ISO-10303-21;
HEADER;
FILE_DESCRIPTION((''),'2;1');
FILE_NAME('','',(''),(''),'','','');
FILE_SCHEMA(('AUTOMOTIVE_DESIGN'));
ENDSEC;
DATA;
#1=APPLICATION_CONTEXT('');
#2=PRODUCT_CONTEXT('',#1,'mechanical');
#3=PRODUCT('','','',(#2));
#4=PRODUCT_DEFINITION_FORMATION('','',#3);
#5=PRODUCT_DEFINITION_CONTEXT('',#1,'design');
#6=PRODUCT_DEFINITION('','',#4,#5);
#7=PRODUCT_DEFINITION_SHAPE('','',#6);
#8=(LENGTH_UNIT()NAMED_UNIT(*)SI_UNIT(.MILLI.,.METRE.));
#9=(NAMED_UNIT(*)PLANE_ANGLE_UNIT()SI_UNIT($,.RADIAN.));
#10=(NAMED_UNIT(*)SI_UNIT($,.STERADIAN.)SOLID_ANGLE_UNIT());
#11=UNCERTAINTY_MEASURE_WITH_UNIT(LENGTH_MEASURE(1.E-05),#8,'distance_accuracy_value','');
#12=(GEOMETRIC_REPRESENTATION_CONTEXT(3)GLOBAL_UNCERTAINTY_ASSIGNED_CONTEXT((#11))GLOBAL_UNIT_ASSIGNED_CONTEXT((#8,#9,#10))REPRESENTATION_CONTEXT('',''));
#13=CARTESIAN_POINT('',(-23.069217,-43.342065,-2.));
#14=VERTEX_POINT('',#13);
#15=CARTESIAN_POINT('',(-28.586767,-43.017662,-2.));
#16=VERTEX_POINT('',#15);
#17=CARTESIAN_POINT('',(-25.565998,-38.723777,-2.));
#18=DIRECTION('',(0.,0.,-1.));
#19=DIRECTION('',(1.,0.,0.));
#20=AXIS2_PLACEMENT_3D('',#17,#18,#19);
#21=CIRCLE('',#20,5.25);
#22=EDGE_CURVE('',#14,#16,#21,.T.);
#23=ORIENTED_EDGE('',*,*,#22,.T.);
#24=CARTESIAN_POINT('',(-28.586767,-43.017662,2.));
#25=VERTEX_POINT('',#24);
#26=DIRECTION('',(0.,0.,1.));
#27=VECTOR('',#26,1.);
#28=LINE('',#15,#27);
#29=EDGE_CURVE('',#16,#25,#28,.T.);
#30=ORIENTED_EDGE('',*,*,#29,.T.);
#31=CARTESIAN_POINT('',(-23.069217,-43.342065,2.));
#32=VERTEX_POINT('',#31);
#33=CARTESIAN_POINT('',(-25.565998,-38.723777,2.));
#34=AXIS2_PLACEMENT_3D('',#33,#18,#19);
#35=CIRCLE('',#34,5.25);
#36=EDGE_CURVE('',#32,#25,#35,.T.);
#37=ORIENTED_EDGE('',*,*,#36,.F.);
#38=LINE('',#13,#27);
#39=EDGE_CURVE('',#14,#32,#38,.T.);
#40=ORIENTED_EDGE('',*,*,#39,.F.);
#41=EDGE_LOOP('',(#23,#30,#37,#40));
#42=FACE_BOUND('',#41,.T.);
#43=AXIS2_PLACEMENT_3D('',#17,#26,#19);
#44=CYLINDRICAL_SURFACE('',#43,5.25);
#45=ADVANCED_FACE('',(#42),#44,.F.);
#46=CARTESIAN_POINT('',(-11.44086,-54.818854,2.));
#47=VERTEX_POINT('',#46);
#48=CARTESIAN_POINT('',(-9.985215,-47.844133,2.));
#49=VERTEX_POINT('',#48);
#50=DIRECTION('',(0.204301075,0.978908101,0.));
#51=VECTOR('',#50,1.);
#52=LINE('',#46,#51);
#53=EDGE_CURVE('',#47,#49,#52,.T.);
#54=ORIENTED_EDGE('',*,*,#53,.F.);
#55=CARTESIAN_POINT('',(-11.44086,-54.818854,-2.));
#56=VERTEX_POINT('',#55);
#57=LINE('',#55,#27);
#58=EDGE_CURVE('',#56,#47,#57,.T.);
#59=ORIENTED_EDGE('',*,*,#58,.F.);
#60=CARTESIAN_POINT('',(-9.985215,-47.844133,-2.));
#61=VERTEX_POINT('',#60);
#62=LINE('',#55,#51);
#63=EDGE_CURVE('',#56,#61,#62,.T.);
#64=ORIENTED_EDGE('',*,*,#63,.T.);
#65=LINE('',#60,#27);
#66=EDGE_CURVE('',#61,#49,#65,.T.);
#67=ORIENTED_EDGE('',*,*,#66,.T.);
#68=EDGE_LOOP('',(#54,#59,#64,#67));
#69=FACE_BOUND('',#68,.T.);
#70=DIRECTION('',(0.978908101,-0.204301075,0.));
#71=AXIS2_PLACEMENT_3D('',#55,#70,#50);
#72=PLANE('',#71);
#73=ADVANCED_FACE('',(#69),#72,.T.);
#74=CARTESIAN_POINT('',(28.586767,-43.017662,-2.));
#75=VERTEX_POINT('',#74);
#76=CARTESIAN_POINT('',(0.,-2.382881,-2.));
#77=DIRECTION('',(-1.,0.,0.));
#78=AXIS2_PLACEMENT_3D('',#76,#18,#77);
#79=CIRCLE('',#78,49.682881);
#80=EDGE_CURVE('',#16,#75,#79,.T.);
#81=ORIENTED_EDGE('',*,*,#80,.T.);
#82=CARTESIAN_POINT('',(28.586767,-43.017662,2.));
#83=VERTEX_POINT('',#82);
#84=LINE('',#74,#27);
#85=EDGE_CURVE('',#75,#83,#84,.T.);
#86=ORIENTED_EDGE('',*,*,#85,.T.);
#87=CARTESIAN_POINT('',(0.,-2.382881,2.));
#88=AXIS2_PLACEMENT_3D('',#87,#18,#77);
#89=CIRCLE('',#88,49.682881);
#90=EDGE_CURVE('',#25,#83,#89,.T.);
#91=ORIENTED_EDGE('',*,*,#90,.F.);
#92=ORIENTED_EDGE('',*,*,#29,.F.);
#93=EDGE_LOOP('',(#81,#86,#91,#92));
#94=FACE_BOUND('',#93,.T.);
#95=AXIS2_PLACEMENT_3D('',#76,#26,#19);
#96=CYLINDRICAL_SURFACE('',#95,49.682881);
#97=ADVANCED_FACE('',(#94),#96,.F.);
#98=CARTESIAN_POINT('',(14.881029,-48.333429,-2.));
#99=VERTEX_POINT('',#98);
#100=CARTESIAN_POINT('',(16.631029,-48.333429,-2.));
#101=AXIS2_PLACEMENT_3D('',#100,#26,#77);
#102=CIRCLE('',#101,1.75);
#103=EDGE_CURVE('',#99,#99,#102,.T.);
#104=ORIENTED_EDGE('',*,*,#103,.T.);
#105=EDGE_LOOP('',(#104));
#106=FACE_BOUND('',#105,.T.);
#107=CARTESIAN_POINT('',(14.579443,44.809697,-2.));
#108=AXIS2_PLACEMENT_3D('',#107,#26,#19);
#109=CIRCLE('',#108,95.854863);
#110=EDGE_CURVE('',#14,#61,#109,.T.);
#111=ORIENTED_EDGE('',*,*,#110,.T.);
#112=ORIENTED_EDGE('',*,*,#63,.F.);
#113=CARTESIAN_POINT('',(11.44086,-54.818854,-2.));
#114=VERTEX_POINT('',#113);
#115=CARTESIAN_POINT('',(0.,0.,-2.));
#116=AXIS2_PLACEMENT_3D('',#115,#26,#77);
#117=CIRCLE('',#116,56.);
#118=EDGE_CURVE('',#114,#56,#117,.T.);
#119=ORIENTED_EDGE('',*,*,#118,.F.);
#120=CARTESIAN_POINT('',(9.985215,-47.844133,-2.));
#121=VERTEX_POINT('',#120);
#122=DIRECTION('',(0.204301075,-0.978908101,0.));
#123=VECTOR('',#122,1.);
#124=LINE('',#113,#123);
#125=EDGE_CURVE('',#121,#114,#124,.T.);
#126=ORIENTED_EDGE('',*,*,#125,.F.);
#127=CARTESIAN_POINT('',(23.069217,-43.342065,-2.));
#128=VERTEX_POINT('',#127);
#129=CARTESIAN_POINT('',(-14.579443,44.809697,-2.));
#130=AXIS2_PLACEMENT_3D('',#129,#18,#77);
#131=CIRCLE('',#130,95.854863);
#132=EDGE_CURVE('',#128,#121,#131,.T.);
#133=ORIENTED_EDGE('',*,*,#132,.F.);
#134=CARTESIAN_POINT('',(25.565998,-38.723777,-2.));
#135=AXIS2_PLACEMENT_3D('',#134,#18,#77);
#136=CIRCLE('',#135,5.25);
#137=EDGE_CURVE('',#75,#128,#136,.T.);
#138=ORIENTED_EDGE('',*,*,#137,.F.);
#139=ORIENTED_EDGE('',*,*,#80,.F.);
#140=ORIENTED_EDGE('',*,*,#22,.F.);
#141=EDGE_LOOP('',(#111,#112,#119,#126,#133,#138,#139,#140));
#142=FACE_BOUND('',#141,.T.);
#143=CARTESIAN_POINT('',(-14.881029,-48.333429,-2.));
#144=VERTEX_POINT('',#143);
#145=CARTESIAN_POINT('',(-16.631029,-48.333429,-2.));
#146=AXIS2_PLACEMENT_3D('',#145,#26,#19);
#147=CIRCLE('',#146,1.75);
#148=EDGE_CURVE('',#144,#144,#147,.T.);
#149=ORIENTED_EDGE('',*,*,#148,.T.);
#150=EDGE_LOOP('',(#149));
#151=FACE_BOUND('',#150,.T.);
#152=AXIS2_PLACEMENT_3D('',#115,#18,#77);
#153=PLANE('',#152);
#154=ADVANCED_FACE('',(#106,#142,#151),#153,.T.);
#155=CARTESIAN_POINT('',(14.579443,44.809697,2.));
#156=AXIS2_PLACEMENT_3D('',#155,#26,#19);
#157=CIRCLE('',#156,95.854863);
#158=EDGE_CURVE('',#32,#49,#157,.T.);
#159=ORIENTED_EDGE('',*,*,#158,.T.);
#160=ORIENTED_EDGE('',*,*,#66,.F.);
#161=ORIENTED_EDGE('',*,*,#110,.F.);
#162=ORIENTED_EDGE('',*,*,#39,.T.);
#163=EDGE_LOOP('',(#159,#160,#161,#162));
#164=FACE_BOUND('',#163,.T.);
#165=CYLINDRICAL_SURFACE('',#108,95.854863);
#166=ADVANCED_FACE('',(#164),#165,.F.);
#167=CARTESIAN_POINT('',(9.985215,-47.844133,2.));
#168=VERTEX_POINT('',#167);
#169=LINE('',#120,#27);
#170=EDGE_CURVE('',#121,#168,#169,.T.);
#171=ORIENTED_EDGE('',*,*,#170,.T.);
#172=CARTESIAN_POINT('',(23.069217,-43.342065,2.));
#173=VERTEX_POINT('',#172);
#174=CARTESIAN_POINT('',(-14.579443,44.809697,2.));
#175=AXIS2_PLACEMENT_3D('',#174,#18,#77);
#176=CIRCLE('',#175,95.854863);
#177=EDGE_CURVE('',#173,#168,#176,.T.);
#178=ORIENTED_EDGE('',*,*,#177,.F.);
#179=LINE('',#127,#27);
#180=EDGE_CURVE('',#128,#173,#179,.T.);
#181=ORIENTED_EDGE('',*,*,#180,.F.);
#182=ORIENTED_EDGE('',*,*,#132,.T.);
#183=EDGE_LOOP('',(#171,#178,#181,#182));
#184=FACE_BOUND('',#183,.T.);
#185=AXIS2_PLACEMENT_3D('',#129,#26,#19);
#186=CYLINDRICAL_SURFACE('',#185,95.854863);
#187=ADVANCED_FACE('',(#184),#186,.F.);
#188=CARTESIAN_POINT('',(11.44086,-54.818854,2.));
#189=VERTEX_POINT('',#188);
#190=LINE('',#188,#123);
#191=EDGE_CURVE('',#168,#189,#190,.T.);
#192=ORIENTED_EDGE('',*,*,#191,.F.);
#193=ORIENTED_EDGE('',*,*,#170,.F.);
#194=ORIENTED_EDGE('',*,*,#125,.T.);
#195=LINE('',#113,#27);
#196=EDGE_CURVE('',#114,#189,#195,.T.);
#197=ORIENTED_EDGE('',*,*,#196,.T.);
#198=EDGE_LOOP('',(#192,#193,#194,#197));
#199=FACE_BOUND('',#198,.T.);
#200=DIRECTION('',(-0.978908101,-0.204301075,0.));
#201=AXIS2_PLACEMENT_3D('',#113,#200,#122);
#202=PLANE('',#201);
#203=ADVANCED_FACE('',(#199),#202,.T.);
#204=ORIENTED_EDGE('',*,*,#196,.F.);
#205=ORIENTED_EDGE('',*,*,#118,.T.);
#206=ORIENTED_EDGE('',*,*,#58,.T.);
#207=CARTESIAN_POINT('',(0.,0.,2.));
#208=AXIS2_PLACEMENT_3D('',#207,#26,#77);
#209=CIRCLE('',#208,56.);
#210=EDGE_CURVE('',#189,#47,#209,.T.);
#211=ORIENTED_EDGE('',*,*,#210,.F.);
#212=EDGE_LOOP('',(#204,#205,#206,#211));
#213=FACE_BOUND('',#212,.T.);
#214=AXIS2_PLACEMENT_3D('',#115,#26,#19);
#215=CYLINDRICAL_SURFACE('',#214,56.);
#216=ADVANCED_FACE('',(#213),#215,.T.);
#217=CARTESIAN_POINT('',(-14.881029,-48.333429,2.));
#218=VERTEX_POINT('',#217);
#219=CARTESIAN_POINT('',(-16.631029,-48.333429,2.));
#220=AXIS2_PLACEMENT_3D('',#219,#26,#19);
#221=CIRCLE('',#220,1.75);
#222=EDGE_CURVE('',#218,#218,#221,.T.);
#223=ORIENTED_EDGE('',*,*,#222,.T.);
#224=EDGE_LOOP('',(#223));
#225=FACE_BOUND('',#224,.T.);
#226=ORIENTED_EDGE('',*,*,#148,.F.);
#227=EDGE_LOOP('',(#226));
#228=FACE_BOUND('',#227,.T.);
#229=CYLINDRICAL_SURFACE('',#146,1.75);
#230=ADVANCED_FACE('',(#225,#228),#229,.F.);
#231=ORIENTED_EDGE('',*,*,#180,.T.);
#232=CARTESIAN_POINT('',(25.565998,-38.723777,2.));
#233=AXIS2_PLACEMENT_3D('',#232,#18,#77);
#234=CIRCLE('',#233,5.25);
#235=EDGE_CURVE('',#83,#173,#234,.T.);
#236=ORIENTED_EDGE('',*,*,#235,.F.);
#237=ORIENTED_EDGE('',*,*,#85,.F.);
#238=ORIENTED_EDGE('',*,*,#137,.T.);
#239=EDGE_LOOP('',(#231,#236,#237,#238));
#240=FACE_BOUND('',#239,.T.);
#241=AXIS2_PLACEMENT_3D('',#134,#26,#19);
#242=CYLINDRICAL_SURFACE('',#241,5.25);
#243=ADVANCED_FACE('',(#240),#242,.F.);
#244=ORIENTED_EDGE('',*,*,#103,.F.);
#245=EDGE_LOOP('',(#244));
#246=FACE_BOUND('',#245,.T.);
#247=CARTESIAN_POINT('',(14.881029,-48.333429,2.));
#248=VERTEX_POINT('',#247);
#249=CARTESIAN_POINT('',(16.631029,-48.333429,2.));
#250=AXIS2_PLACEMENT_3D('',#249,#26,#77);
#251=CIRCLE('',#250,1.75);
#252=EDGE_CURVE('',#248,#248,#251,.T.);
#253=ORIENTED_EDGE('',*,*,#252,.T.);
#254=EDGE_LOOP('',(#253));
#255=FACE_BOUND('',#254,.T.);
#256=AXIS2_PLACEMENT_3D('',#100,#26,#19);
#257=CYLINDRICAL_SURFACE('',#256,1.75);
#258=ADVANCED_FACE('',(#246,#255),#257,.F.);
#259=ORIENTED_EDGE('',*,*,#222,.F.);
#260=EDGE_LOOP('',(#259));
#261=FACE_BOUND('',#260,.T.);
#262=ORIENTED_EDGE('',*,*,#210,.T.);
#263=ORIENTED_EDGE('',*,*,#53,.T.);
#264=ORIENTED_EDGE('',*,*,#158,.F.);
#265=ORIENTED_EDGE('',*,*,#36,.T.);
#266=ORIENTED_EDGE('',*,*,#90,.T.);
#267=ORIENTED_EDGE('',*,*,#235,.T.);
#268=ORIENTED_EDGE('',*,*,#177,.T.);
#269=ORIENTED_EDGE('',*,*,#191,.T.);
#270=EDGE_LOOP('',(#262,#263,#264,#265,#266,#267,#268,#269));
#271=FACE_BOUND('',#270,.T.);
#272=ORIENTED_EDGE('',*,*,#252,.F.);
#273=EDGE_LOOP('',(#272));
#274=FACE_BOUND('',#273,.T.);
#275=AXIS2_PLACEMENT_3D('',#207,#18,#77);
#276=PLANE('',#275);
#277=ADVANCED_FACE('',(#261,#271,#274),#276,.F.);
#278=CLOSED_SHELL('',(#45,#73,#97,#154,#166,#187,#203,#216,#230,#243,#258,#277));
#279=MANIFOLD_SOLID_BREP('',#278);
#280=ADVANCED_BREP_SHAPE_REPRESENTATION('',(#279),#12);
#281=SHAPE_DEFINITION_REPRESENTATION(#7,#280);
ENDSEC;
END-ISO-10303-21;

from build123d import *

# Parameters (mm, degrees)
BOSS_EXTRUDE1_DEPTH      = 2
BOSS_EXTRUDE1_DEPTH_BACK = 2
SKETCH3_R                = 1.75
CUT_EXTRUDE2_DEPTH       = 80.221209281


with BuildPart() as part:
    # Sketch3 → Boss-Extrude1 (new, two sides: drawn at the far end of the back side and taken through both)
    with BuildSketch(Plane.XY.offset(-BOSS_EXTRUDE1_DEPTH_BACK)):
        with BuildLine():
            Line((-11.440860215, -54.818853669), (-9.985215054, -47.844133447))
            Line((-9.985215054, -47.844133447), (-23.069216943, -43.342064897))
            ThreePointArc((-23.069216943, -43.342064897), (-25.874137738, -43.964725959), (-28.586767, -43.017662099))
            ThreePointArc((-28.586767, -43.017662099), (0, 47.3), (28.586767, -43.017662099))
            ThreePointArc((28.586767, -43.017662099), (25.874137738, -43.964725959), (23.069216943, -43.342064897))
            Line((23.069216943, -43.342064897), (9.985215054, -47.844133447))
            Line((9.985215054, -47.844133447), (11.440860215, -54.818853669))
            ThreePointArc((11.440860215, -54.818853669), (0, 56), (-11.440860215, -54.818853669))
        make_face()
        with Locations((-16.631028749, -48.333429201)):
            Circle(SKETCH3_R, mode=Mode.SUBTRACT)
        with Locations(Location((16.631028749, -48.333429201, 0), (0, 0, 180))):
            Circle(SKETCH3_R, mode=Mode.SUBTRACT)
    extrude(amount=BOSS_EXTRUDE1_DEPTH + BOSS_EXTRUDE1_DEPTH_BACK)

    # Sketch5 → Cut-Extrude2 (cut, symmetric)
    with BuildSketch(Plane.XY):
        with BuildLine():
            Line((-23.069216943, -43.342064897), (0, 0))
            Line((0, 0), (-9.985215054, -47.844133447))
            ThreePointArc((-9.985215054, -47.844133447), (-16.608557726, -45.829496133), (-23.069216943, -43.342064897))
        make_face()
    cut_extrude2 = extrude(amount=CUT_EXTRUDE2_DEPTH, both=True, mode=Mode.SUBTRACT)

    # Mirror1: Cut-Extrude2 across plane
    add(cut_extrude2.mirror(Plane(origin=(0, 0, 0), x_dir=(0, 0, 1), z_dir=(1, 0, 0))), mode=Mode.SUBTRACT)


solid = part.part
